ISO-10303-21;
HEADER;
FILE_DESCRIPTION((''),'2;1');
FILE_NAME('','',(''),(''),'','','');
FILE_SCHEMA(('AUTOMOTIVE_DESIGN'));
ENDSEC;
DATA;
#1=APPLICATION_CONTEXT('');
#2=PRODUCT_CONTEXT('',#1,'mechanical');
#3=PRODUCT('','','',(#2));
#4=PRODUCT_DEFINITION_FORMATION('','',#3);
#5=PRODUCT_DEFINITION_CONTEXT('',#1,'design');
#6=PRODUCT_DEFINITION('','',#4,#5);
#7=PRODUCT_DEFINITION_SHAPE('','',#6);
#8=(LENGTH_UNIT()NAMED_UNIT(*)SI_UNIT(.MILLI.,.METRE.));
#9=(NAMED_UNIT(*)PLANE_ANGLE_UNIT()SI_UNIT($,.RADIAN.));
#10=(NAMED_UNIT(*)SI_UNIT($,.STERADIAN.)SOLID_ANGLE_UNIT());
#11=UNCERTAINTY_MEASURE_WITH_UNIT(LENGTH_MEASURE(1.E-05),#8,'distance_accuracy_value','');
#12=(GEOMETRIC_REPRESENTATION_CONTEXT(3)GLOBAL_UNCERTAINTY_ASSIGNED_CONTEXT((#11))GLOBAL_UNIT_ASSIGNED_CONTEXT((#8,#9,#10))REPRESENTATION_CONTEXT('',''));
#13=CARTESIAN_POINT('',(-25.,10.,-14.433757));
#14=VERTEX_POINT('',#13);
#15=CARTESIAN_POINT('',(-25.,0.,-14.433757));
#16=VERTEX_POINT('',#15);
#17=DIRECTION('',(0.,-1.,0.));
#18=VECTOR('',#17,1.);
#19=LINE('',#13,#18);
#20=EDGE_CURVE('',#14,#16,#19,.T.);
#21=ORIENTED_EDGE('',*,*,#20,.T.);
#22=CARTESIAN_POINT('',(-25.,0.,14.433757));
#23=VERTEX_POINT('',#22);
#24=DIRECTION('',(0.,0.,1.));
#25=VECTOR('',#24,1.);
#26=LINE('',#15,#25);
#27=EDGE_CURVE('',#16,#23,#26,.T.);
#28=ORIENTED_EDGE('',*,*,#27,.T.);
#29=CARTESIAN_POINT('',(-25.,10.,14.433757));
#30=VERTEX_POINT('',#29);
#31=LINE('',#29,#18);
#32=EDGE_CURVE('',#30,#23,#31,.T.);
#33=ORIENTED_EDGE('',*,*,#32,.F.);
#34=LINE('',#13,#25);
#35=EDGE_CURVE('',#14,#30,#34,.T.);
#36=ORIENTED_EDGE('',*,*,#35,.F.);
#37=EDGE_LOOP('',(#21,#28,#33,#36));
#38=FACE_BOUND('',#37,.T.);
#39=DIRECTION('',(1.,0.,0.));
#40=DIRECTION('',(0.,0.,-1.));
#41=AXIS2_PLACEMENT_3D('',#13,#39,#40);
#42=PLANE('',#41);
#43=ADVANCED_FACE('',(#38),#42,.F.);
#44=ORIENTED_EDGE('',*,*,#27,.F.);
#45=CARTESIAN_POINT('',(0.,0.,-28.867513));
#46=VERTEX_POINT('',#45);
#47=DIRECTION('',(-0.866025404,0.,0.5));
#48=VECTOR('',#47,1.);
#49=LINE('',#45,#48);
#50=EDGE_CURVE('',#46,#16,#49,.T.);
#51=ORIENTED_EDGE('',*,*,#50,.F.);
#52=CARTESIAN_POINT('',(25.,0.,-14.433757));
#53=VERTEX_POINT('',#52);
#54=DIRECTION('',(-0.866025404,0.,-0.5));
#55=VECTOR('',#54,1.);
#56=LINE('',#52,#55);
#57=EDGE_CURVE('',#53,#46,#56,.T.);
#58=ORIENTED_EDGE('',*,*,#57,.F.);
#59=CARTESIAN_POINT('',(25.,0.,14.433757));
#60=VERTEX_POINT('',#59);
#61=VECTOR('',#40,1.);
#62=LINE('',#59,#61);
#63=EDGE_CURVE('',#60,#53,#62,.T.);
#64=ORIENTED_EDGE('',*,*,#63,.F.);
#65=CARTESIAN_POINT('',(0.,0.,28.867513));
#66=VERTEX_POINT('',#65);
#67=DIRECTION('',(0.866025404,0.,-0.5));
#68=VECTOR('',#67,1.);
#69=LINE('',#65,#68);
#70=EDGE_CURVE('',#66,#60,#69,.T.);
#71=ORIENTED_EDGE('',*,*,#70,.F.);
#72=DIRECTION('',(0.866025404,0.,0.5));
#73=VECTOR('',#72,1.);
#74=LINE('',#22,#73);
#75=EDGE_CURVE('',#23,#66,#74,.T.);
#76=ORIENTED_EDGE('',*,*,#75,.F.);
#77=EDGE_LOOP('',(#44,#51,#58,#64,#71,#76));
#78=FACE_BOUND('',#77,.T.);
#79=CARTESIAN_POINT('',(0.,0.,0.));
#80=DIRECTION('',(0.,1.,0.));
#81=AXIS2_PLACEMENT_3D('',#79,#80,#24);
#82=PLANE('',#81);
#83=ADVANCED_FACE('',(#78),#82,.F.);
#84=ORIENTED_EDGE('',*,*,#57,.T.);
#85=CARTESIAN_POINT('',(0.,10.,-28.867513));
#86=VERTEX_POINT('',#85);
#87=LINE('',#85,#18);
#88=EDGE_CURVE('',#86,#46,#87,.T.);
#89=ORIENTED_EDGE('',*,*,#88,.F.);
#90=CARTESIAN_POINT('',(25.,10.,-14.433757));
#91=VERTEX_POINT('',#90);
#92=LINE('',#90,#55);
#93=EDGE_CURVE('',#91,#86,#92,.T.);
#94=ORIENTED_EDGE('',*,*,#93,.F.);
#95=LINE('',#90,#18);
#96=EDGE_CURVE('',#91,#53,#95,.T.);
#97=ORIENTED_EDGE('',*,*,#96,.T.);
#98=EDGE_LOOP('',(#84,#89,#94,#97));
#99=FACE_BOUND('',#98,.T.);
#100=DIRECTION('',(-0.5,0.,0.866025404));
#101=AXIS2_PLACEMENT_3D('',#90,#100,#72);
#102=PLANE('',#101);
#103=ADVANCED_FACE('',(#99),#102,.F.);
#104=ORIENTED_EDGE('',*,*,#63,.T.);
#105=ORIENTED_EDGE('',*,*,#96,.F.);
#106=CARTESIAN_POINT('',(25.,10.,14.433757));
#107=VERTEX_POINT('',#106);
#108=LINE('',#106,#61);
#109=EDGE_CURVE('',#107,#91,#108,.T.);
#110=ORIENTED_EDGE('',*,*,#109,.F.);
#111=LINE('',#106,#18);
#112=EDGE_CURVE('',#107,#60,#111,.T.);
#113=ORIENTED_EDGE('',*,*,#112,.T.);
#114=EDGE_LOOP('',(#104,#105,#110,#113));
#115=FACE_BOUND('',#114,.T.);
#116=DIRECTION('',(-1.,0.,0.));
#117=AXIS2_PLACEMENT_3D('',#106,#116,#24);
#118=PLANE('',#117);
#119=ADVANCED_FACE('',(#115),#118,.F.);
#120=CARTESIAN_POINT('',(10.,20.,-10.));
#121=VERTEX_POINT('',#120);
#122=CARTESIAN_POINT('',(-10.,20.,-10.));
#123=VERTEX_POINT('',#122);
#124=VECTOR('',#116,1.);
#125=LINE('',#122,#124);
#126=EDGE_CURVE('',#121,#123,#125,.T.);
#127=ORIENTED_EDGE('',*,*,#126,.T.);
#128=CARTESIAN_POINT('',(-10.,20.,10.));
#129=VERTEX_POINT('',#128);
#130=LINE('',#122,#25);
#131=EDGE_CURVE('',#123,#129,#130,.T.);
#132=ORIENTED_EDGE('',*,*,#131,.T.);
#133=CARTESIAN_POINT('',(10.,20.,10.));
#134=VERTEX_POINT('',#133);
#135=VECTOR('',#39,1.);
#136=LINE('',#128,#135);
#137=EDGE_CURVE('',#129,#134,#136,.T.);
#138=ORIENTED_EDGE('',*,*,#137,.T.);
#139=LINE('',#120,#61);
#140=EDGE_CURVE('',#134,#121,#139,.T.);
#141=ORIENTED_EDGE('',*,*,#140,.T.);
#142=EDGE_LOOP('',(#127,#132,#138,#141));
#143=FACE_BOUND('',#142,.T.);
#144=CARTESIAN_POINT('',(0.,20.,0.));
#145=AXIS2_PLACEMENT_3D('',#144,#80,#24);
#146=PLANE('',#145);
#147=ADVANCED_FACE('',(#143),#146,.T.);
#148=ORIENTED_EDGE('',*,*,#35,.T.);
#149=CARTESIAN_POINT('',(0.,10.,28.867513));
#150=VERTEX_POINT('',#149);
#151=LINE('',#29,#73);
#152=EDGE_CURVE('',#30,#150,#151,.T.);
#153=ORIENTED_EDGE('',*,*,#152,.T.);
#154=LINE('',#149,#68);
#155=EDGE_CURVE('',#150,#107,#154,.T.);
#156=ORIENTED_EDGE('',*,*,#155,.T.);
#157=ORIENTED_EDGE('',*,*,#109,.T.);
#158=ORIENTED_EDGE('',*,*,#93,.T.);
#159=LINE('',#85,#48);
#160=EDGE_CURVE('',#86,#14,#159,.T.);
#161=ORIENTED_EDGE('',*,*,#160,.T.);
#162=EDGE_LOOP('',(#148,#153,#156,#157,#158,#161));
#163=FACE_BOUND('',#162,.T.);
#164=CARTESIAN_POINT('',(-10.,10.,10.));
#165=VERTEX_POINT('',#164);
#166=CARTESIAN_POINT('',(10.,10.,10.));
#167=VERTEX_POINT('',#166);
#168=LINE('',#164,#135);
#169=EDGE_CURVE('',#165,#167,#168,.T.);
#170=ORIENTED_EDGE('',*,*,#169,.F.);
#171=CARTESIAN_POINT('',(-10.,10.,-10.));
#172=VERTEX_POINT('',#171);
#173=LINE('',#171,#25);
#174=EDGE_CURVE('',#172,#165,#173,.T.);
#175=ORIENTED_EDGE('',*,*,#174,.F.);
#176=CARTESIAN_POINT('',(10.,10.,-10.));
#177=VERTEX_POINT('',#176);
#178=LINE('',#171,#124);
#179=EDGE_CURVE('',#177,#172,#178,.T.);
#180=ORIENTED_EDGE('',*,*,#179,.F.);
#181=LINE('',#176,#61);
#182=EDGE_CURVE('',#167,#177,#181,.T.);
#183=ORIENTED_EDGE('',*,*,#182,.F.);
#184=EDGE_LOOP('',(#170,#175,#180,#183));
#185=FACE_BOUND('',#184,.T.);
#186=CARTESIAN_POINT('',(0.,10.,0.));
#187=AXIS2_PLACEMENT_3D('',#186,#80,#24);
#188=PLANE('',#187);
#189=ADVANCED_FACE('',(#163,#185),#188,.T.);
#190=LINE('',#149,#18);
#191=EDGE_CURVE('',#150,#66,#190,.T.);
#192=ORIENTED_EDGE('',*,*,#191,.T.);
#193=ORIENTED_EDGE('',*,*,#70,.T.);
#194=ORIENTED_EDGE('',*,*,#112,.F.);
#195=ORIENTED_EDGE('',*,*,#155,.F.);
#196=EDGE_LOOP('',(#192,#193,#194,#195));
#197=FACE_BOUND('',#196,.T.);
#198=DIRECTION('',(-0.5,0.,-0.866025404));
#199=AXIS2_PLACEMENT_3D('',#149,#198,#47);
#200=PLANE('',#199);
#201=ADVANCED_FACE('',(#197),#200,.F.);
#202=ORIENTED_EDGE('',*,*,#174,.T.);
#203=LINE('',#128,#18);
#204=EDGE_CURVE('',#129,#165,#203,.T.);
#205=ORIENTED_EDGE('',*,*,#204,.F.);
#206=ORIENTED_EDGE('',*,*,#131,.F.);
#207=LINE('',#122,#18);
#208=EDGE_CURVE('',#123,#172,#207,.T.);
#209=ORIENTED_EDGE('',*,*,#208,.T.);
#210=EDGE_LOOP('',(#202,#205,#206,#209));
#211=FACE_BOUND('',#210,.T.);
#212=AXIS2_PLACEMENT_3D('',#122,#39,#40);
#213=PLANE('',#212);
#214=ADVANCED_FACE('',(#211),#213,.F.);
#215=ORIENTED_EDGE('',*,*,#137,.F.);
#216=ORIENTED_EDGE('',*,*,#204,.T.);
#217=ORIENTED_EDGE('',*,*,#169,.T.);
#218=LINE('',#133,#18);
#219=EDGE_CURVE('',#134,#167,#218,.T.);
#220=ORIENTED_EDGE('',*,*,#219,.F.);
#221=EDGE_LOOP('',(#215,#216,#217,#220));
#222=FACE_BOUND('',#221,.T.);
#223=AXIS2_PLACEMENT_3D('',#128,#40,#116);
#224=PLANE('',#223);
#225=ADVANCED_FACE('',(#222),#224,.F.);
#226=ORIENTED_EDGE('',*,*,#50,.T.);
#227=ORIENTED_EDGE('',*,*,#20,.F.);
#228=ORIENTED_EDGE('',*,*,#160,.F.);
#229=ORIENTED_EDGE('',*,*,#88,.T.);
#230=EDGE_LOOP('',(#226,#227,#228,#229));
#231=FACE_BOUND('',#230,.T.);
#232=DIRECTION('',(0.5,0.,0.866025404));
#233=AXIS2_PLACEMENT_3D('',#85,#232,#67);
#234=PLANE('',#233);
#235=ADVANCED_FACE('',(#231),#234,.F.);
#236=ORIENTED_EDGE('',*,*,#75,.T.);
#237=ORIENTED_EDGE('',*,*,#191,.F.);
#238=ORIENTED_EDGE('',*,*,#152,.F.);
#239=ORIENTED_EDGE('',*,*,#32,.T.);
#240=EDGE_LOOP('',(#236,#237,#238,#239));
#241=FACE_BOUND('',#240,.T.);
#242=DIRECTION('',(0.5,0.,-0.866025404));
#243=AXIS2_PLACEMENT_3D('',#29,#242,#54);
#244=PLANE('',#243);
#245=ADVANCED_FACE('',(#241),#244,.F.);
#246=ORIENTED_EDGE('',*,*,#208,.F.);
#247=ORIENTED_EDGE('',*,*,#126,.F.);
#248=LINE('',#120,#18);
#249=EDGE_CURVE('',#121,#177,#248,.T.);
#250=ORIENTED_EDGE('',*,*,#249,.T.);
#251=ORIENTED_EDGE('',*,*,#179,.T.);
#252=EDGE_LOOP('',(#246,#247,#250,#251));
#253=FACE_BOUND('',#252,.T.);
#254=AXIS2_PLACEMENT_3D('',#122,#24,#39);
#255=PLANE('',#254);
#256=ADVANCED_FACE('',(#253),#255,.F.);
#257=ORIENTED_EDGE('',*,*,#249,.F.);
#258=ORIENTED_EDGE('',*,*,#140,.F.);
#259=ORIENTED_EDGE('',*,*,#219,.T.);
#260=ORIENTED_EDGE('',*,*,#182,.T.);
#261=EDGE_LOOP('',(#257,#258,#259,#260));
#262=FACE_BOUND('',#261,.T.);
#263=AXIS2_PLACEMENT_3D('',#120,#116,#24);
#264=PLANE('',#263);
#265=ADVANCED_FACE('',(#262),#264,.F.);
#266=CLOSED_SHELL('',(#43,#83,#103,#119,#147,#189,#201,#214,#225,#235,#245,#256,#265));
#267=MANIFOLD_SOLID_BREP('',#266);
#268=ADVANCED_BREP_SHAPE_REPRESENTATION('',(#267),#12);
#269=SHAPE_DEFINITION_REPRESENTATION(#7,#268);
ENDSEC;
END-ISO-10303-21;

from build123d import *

# Parameters (mm, degrees)
EXTRUDE_1_DEPTH = 10
SKETCH_2_W      = 20
SKETCH_2_H      = 20
EXTRUDE_2_DEPTH = 10


with BuildPart() as part:
    # 草图1 → 凸台-拉伸1 (new body)
    with BuildSketch(Plane(origin=(0, 0, 0), x_dir=(1, 0, 0), z_dir=(0, 1, 0))):
        Polygon((25, 14.43375673), (0, 28.867513459), (-25, 14.43375673), (-25, -14.43375673), (0, -28.867513459), (25, -14.43375673), align=None)
    extrude(amount=EXTRUDE_1_DEPTH)

    # 草图2 → 凸台-拉伸2 (add)
    with BuildSketch(Plane(origin=(0, 10, 0), x_dir=(1, 0, 0), z_dir=(0, 1, 0))):
        Rectangle(SKETCH_2_W, SKETCH_2_H)
    extrude(amount=EXTRUDE_2_DEPTH)


solid = part.part
